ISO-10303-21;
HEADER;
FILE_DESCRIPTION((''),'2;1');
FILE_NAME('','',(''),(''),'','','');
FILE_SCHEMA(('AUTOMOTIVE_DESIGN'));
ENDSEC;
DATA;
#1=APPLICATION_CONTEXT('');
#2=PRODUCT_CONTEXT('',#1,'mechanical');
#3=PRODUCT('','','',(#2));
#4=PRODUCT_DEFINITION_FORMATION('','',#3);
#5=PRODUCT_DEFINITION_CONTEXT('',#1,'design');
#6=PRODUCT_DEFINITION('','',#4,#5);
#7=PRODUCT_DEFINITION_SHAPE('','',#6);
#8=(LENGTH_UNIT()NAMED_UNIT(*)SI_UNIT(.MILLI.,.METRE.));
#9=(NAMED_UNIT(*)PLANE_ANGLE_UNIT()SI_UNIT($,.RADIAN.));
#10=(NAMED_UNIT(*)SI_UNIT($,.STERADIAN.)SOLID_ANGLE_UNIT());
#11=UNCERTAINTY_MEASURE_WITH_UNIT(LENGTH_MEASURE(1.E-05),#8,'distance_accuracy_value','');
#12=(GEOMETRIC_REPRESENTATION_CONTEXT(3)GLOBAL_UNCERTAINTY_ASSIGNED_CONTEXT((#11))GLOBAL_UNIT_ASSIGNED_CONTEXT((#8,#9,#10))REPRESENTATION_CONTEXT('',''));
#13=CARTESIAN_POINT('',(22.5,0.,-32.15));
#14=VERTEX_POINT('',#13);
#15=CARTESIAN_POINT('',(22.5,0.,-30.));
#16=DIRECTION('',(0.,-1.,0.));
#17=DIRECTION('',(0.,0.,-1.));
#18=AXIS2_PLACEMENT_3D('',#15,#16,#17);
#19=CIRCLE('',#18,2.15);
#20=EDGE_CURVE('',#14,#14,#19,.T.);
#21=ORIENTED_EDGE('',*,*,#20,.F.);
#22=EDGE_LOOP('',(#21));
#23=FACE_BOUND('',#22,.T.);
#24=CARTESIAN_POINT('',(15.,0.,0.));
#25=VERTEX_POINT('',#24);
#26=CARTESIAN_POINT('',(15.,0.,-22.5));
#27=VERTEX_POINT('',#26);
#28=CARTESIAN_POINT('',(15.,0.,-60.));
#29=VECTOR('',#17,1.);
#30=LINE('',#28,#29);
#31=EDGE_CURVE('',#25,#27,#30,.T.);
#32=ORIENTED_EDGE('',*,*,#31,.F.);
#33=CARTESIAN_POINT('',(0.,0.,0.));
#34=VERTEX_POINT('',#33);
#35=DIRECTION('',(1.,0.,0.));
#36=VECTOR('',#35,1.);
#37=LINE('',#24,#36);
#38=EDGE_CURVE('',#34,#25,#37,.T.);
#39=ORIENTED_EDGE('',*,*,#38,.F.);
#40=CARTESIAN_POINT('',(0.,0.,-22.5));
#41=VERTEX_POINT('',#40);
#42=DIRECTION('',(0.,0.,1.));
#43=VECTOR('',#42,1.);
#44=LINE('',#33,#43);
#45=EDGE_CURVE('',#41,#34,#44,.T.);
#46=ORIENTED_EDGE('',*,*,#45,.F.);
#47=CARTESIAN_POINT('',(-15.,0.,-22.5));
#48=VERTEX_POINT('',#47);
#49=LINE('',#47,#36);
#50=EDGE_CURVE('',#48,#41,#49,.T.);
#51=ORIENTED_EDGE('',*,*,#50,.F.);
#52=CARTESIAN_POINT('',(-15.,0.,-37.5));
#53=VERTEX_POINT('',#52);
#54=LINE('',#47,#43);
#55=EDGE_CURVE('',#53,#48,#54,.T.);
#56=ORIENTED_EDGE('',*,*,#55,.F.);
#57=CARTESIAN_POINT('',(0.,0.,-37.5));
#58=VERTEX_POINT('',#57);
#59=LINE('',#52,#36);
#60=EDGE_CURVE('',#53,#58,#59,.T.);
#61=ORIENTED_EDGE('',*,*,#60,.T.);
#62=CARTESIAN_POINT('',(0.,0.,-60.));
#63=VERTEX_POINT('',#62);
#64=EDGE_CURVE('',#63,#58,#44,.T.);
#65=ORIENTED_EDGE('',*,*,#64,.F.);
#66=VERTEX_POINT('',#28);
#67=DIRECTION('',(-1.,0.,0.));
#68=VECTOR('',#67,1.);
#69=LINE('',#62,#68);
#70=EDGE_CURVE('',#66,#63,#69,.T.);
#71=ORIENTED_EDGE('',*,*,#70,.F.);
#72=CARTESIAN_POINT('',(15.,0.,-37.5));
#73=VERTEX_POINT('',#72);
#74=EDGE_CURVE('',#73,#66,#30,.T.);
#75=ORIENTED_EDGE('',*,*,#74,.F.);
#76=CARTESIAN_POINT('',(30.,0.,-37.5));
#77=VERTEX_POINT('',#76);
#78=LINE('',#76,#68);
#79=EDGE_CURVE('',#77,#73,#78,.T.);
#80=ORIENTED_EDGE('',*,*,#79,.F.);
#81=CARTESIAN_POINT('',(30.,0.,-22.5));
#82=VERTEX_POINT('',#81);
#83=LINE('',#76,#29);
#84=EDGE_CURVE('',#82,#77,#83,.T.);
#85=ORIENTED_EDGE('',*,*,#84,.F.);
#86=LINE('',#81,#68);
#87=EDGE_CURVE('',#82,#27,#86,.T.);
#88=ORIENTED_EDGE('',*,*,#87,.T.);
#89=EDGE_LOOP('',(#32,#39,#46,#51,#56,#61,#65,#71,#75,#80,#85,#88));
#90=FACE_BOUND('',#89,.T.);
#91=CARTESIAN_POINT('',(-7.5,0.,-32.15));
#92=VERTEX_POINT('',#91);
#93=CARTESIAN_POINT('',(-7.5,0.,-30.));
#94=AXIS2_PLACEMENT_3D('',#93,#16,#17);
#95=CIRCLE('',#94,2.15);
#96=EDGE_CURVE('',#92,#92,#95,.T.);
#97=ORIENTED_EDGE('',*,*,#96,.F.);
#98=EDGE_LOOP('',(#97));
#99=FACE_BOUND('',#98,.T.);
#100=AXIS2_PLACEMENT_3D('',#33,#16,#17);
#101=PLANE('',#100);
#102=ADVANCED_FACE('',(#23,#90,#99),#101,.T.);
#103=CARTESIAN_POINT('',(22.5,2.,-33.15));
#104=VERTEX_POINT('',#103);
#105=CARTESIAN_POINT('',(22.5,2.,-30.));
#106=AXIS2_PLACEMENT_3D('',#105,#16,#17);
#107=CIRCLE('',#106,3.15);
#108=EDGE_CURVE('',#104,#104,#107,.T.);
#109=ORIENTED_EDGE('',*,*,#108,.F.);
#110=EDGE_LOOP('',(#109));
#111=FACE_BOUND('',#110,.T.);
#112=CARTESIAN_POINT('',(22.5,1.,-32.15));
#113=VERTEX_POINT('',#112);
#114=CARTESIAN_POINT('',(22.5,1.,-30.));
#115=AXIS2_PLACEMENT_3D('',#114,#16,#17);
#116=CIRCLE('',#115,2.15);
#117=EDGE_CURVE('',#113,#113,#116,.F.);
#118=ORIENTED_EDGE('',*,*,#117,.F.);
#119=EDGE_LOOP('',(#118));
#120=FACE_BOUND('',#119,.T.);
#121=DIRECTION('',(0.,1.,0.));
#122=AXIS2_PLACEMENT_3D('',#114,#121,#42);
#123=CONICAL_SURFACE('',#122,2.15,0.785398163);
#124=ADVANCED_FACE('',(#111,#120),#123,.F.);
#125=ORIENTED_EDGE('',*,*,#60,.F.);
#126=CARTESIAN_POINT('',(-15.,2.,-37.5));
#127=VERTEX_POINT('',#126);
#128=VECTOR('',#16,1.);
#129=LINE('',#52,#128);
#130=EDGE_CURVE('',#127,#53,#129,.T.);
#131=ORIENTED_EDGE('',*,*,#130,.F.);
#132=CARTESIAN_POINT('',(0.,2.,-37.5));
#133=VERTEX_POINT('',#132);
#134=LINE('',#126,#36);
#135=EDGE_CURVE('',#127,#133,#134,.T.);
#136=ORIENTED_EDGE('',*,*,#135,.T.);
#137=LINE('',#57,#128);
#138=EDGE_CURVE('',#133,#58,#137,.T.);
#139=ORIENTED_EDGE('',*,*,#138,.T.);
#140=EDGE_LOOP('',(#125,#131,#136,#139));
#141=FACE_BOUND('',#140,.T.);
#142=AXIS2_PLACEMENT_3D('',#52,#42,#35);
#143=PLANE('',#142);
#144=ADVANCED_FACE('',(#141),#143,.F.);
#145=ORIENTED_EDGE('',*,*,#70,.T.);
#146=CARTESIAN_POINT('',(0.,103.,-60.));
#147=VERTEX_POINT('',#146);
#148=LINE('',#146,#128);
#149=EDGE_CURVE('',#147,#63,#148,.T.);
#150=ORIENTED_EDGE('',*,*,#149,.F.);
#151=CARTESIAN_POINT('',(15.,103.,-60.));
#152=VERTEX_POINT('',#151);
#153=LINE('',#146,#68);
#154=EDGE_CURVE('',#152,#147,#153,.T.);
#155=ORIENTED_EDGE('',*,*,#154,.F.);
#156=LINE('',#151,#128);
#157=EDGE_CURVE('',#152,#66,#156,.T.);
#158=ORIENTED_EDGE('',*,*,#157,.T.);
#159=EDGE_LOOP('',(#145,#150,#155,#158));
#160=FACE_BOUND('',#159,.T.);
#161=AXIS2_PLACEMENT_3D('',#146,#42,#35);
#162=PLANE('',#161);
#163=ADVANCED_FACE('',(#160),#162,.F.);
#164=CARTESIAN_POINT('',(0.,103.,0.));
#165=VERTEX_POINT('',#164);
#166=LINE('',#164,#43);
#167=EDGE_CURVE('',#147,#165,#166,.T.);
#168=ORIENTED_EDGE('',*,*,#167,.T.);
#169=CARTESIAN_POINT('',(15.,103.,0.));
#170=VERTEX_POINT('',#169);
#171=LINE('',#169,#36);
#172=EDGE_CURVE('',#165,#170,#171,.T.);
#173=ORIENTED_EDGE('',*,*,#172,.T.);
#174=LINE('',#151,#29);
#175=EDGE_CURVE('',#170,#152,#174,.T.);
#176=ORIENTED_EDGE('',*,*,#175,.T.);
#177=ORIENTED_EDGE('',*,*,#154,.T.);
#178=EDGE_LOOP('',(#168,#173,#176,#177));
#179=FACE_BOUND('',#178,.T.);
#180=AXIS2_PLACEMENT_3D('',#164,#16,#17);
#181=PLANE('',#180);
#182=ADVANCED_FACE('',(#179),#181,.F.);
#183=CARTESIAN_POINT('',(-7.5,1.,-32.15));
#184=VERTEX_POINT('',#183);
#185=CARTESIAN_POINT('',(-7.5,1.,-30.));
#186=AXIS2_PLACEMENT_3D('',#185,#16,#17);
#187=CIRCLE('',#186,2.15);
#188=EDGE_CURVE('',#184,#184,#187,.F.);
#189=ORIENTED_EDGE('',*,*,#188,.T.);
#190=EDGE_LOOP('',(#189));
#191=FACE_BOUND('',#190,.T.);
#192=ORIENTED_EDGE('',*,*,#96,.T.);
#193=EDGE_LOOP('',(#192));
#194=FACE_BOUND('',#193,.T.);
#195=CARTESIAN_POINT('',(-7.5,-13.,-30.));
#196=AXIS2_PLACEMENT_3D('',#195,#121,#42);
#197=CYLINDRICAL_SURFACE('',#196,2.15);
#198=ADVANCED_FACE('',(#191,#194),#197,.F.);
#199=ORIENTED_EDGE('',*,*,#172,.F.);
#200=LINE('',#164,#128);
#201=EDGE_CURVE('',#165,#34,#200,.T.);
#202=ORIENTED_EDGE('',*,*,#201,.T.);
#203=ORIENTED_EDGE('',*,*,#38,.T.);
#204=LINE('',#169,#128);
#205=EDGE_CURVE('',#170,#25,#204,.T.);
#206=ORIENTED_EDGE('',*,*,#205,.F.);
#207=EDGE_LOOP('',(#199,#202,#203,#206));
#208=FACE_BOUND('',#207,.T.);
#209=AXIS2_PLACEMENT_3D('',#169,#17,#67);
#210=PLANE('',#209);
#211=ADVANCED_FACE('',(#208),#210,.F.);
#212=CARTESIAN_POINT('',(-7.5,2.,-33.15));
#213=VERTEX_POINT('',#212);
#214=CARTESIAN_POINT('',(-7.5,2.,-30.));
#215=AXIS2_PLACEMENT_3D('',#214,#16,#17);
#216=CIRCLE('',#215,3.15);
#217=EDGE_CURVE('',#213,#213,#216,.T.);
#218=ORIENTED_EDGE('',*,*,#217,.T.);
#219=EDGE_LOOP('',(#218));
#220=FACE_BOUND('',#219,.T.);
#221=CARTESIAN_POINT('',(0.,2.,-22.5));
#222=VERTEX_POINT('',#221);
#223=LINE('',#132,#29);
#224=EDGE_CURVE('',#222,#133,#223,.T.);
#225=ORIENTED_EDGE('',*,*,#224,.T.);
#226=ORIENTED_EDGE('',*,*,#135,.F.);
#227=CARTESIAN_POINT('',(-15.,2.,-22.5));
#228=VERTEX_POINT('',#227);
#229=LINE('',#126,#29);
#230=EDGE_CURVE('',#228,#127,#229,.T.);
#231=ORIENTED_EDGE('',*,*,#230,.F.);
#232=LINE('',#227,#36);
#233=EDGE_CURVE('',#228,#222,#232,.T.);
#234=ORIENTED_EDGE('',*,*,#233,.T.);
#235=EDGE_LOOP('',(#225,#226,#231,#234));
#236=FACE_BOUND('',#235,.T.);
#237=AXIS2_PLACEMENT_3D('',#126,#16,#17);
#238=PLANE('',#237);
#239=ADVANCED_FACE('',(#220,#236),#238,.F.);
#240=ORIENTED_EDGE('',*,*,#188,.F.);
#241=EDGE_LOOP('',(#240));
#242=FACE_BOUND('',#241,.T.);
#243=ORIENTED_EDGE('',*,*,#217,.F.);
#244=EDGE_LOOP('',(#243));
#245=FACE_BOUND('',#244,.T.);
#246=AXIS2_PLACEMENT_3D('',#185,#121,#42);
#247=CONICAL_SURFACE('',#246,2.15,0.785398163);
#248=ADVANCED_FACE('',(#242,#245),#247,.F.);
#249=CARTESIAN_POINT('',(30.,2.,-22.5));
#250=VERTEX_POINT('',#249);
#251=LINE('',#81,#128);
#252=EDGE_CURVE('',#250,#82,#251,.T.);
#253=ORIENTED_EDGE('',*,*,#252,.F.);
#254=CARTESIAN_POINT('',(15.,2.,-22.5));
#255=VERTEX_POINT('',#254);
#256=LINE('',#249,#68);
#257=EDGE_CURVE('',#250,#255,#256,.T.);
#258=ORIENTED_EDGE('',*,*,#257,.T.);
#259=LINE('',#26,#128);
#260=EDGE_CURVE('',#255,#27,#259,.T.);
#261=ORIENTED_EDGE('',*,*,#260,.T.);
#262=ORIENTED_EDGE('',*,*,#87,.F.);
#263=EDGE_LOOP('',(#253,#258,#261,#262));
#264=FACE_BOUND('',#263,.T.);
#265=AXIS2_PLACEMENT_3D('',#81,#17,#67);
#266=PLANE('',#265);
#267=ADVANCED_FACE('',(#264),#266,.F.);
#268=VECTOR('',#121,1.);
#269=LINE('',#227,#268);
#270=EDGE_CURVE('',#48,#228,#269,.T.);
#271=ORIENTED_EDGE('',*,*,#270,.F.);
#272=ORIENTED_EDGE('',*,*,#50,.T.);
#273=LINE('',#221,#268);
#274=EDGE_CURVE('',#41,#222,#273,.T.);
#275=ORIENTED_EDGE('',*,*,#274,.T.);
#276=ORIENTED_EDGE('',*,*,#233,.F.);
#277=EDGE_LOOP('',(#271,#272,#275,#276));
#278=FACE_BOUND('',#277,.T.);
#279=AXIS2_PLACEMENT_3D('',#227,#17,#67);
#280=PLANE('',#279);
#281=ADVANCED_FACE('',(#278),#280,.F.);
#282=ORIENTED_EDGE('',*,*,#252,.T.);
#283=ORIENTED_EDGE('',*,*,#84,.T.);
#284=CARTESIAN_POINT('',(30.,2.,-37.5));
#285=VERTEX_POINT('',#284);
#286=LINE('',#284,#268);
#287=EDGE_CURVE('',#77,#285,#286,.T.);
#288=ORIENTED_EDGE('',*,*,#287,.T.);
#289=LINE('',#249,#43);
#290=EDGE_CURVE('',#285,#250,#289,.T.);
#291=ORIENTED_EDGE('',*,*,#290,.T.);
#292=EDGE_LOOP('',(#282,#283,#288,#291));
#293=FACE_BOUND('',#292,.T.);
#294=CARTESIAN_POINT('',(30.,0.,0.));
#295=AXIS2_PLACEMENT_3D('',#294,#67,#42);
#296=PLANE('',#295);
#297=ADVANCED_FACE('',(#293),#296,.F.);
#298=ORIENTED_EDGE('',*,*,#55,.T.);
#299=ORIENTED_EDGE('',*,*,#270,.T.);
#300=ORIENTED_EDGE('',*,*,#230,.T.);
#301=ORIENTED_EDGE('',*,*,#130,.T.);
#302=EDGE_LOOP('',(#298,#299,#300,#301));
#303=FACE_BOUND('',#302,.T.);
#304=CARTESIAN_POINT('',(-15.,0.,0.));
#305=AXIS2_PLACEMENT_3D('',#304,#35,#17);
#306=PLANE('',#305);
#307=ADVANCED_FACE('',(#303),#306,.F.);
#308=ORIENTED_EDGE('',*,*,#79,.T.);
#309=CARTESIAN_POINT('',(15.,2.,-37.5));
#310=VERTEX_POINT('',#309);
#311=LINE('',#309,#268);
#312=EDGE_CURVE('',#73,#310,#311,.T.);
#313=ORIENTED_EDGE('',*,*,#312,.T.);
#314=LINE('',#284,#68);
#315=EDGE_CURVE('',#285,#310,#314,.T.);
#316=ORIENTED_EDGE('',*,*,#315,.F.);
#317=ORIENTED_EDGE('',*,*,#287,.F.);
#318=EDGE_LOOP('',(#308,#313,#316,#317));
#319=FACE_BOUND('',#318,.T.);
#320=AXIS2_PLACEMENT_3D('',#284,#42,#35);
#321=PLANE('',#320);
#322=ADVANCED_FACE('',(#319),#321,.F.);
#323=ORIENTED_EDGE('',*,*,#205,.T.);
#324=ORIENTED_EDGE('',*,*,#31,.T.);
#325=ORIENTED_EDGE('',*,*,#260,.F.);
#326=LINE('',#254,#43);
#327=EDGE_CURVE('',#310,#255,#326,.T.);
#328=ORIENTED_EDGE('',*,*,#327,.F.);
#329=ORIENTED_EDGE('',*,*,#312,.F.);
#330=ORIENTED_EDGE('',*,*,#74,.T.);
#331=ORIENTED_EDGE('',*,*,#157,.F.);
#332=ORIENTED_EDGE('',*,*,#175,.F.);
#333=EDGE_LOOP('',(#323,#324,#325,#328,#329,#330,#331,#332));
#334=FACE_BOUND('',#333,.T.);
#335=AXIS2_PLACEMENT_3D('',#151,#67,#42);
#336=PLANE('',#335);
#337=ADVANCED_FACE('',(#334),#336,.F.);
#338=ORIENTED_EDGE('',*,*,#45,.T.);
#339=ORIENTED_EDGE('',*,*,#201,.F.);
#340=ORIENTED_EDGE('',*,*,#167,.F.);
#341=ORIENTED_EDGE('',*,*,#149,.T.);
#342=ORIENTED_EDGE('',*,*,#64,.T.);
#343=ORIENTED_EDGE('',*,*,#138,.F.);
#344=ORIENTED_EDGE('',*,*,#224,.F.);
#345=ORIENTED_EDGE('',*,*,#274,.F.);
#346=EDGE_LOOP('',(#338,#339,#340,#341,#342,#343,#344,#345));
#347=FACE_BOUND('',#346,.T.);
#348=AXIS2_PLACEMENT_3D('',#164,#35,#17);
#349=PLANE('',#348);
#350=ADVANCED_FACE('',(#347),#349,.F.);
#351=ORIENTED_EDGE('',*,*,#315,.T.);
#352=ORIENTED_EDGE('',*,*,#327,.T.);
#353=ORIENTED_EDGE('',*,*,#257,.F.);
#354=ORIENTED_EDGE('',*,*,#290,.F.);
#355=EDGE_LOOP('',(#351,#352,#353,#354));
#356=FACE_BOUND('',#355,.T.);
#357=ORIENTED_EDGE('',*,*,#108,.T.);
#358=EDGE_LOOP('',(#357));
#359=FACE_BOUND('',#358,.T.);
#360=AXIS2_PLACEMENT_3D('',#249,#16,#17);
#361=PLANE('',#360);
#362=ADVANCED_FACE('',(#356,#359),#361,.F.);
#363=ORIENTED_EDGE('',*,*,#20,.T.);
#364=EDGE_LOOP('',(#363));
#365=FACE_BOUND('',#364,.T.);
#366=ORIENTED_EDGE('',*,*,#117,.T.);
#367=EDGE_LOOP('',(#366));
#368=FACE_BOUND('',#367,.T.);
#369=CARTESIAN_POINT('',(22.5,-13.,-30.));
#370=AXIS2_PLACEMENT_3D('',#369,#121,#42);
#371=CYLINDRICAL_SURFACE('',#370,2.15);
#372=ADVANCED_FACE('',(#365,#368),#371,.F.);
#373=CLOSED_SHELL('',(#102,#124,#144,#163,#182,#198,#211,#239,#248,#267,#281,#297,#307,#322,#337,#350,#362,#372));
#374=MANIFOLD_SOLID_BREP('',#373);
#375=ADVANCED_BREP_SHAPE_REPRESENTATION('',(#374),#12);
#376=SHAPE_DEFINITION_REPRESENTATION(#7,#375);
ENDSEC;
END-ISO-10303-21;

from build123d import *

# Parameters (mm, degrees)
SKETCH1_W           = 15
SKETCH1_H           = 60
BOSS_EXTRUDE1_DEPTH = 103
SKETCH2_W           = 15
SKETCH2_H           = 2
BOSS_EXTRUDE2_DEPTH = 15
SKETCH3_W           = 15
SKETCH3_H           = 2
BOSS_EXTRUDE3_DEPTH = 15
SKETCH4_R           = 2.15
CUT_EXTRUDE1_DEPTH  = 15
CHAMFER2_SIZE       = 1


with BuildPart() as part:
    # Sketch1 → Boss-Extrude1 (new body)
    with BuildSketch(Plane(origin=(0, 0, 0), x_dir=(1, 0, 0), z_dir=(0, 1, 0))):
        with Locations((7.5, 30)):
            Rectangle(SKETCH1_W, SKETCH1_H)
    extrude(amount=BOSS_EXTRUDE1_DEPTH)

    # Sketch2 → Boss-Extrude2 (add)
    with BuildSketch(Plane(origin=(15, 0, 0), x_dir=(0, 0, -1), z_dir=(1, 0, 0))):
        with Locations((30, 1)):
            Rectangle(SKETCH2_W, SKETCH2_H)
    extrude(amount=BOSS_EXTRUDE2_DEPTH)

    # Sketch3 → Boss-Extrude3 (add)
    with BuildSketch(Plane.ZY):
        with Locations((-30, 1)):
            Rectangle(SKETCH3_W, SKETCH3_H)
    extrude(amount=BOSS_EXTRUDE3_DEPTH)

    # Sketch4 → Cut-Extrude1 (cut)
    with BuildSketch(Plane(origin=(0, 2, 0), x_dir=(1, 0, 0), z_dir=(0, 1, 0))):
        with Locations(Location((22.5, 30, 0), (0, 0, 270))):
            Circle(SKETCH4_R)
        with Locations(Location((-7.5, 30, 0), (0, 0, 270))):
            Circle(SKETCH4_R)
    extrude(amount=-CUT_EXTRUDE1_DEPTH, mode=Mode.SUBTRACT)

    # Chamfer2
    chamfer2_edges = [part.edges().sort_by_distance(p)[0] for p in [
        (22.5, 2, -32.15),
        (-7.5, 2, -32.15),
    ]]
    chamfer(chamfer2_edges, length=CHAMFER2_SIZE)


solid = part.part
